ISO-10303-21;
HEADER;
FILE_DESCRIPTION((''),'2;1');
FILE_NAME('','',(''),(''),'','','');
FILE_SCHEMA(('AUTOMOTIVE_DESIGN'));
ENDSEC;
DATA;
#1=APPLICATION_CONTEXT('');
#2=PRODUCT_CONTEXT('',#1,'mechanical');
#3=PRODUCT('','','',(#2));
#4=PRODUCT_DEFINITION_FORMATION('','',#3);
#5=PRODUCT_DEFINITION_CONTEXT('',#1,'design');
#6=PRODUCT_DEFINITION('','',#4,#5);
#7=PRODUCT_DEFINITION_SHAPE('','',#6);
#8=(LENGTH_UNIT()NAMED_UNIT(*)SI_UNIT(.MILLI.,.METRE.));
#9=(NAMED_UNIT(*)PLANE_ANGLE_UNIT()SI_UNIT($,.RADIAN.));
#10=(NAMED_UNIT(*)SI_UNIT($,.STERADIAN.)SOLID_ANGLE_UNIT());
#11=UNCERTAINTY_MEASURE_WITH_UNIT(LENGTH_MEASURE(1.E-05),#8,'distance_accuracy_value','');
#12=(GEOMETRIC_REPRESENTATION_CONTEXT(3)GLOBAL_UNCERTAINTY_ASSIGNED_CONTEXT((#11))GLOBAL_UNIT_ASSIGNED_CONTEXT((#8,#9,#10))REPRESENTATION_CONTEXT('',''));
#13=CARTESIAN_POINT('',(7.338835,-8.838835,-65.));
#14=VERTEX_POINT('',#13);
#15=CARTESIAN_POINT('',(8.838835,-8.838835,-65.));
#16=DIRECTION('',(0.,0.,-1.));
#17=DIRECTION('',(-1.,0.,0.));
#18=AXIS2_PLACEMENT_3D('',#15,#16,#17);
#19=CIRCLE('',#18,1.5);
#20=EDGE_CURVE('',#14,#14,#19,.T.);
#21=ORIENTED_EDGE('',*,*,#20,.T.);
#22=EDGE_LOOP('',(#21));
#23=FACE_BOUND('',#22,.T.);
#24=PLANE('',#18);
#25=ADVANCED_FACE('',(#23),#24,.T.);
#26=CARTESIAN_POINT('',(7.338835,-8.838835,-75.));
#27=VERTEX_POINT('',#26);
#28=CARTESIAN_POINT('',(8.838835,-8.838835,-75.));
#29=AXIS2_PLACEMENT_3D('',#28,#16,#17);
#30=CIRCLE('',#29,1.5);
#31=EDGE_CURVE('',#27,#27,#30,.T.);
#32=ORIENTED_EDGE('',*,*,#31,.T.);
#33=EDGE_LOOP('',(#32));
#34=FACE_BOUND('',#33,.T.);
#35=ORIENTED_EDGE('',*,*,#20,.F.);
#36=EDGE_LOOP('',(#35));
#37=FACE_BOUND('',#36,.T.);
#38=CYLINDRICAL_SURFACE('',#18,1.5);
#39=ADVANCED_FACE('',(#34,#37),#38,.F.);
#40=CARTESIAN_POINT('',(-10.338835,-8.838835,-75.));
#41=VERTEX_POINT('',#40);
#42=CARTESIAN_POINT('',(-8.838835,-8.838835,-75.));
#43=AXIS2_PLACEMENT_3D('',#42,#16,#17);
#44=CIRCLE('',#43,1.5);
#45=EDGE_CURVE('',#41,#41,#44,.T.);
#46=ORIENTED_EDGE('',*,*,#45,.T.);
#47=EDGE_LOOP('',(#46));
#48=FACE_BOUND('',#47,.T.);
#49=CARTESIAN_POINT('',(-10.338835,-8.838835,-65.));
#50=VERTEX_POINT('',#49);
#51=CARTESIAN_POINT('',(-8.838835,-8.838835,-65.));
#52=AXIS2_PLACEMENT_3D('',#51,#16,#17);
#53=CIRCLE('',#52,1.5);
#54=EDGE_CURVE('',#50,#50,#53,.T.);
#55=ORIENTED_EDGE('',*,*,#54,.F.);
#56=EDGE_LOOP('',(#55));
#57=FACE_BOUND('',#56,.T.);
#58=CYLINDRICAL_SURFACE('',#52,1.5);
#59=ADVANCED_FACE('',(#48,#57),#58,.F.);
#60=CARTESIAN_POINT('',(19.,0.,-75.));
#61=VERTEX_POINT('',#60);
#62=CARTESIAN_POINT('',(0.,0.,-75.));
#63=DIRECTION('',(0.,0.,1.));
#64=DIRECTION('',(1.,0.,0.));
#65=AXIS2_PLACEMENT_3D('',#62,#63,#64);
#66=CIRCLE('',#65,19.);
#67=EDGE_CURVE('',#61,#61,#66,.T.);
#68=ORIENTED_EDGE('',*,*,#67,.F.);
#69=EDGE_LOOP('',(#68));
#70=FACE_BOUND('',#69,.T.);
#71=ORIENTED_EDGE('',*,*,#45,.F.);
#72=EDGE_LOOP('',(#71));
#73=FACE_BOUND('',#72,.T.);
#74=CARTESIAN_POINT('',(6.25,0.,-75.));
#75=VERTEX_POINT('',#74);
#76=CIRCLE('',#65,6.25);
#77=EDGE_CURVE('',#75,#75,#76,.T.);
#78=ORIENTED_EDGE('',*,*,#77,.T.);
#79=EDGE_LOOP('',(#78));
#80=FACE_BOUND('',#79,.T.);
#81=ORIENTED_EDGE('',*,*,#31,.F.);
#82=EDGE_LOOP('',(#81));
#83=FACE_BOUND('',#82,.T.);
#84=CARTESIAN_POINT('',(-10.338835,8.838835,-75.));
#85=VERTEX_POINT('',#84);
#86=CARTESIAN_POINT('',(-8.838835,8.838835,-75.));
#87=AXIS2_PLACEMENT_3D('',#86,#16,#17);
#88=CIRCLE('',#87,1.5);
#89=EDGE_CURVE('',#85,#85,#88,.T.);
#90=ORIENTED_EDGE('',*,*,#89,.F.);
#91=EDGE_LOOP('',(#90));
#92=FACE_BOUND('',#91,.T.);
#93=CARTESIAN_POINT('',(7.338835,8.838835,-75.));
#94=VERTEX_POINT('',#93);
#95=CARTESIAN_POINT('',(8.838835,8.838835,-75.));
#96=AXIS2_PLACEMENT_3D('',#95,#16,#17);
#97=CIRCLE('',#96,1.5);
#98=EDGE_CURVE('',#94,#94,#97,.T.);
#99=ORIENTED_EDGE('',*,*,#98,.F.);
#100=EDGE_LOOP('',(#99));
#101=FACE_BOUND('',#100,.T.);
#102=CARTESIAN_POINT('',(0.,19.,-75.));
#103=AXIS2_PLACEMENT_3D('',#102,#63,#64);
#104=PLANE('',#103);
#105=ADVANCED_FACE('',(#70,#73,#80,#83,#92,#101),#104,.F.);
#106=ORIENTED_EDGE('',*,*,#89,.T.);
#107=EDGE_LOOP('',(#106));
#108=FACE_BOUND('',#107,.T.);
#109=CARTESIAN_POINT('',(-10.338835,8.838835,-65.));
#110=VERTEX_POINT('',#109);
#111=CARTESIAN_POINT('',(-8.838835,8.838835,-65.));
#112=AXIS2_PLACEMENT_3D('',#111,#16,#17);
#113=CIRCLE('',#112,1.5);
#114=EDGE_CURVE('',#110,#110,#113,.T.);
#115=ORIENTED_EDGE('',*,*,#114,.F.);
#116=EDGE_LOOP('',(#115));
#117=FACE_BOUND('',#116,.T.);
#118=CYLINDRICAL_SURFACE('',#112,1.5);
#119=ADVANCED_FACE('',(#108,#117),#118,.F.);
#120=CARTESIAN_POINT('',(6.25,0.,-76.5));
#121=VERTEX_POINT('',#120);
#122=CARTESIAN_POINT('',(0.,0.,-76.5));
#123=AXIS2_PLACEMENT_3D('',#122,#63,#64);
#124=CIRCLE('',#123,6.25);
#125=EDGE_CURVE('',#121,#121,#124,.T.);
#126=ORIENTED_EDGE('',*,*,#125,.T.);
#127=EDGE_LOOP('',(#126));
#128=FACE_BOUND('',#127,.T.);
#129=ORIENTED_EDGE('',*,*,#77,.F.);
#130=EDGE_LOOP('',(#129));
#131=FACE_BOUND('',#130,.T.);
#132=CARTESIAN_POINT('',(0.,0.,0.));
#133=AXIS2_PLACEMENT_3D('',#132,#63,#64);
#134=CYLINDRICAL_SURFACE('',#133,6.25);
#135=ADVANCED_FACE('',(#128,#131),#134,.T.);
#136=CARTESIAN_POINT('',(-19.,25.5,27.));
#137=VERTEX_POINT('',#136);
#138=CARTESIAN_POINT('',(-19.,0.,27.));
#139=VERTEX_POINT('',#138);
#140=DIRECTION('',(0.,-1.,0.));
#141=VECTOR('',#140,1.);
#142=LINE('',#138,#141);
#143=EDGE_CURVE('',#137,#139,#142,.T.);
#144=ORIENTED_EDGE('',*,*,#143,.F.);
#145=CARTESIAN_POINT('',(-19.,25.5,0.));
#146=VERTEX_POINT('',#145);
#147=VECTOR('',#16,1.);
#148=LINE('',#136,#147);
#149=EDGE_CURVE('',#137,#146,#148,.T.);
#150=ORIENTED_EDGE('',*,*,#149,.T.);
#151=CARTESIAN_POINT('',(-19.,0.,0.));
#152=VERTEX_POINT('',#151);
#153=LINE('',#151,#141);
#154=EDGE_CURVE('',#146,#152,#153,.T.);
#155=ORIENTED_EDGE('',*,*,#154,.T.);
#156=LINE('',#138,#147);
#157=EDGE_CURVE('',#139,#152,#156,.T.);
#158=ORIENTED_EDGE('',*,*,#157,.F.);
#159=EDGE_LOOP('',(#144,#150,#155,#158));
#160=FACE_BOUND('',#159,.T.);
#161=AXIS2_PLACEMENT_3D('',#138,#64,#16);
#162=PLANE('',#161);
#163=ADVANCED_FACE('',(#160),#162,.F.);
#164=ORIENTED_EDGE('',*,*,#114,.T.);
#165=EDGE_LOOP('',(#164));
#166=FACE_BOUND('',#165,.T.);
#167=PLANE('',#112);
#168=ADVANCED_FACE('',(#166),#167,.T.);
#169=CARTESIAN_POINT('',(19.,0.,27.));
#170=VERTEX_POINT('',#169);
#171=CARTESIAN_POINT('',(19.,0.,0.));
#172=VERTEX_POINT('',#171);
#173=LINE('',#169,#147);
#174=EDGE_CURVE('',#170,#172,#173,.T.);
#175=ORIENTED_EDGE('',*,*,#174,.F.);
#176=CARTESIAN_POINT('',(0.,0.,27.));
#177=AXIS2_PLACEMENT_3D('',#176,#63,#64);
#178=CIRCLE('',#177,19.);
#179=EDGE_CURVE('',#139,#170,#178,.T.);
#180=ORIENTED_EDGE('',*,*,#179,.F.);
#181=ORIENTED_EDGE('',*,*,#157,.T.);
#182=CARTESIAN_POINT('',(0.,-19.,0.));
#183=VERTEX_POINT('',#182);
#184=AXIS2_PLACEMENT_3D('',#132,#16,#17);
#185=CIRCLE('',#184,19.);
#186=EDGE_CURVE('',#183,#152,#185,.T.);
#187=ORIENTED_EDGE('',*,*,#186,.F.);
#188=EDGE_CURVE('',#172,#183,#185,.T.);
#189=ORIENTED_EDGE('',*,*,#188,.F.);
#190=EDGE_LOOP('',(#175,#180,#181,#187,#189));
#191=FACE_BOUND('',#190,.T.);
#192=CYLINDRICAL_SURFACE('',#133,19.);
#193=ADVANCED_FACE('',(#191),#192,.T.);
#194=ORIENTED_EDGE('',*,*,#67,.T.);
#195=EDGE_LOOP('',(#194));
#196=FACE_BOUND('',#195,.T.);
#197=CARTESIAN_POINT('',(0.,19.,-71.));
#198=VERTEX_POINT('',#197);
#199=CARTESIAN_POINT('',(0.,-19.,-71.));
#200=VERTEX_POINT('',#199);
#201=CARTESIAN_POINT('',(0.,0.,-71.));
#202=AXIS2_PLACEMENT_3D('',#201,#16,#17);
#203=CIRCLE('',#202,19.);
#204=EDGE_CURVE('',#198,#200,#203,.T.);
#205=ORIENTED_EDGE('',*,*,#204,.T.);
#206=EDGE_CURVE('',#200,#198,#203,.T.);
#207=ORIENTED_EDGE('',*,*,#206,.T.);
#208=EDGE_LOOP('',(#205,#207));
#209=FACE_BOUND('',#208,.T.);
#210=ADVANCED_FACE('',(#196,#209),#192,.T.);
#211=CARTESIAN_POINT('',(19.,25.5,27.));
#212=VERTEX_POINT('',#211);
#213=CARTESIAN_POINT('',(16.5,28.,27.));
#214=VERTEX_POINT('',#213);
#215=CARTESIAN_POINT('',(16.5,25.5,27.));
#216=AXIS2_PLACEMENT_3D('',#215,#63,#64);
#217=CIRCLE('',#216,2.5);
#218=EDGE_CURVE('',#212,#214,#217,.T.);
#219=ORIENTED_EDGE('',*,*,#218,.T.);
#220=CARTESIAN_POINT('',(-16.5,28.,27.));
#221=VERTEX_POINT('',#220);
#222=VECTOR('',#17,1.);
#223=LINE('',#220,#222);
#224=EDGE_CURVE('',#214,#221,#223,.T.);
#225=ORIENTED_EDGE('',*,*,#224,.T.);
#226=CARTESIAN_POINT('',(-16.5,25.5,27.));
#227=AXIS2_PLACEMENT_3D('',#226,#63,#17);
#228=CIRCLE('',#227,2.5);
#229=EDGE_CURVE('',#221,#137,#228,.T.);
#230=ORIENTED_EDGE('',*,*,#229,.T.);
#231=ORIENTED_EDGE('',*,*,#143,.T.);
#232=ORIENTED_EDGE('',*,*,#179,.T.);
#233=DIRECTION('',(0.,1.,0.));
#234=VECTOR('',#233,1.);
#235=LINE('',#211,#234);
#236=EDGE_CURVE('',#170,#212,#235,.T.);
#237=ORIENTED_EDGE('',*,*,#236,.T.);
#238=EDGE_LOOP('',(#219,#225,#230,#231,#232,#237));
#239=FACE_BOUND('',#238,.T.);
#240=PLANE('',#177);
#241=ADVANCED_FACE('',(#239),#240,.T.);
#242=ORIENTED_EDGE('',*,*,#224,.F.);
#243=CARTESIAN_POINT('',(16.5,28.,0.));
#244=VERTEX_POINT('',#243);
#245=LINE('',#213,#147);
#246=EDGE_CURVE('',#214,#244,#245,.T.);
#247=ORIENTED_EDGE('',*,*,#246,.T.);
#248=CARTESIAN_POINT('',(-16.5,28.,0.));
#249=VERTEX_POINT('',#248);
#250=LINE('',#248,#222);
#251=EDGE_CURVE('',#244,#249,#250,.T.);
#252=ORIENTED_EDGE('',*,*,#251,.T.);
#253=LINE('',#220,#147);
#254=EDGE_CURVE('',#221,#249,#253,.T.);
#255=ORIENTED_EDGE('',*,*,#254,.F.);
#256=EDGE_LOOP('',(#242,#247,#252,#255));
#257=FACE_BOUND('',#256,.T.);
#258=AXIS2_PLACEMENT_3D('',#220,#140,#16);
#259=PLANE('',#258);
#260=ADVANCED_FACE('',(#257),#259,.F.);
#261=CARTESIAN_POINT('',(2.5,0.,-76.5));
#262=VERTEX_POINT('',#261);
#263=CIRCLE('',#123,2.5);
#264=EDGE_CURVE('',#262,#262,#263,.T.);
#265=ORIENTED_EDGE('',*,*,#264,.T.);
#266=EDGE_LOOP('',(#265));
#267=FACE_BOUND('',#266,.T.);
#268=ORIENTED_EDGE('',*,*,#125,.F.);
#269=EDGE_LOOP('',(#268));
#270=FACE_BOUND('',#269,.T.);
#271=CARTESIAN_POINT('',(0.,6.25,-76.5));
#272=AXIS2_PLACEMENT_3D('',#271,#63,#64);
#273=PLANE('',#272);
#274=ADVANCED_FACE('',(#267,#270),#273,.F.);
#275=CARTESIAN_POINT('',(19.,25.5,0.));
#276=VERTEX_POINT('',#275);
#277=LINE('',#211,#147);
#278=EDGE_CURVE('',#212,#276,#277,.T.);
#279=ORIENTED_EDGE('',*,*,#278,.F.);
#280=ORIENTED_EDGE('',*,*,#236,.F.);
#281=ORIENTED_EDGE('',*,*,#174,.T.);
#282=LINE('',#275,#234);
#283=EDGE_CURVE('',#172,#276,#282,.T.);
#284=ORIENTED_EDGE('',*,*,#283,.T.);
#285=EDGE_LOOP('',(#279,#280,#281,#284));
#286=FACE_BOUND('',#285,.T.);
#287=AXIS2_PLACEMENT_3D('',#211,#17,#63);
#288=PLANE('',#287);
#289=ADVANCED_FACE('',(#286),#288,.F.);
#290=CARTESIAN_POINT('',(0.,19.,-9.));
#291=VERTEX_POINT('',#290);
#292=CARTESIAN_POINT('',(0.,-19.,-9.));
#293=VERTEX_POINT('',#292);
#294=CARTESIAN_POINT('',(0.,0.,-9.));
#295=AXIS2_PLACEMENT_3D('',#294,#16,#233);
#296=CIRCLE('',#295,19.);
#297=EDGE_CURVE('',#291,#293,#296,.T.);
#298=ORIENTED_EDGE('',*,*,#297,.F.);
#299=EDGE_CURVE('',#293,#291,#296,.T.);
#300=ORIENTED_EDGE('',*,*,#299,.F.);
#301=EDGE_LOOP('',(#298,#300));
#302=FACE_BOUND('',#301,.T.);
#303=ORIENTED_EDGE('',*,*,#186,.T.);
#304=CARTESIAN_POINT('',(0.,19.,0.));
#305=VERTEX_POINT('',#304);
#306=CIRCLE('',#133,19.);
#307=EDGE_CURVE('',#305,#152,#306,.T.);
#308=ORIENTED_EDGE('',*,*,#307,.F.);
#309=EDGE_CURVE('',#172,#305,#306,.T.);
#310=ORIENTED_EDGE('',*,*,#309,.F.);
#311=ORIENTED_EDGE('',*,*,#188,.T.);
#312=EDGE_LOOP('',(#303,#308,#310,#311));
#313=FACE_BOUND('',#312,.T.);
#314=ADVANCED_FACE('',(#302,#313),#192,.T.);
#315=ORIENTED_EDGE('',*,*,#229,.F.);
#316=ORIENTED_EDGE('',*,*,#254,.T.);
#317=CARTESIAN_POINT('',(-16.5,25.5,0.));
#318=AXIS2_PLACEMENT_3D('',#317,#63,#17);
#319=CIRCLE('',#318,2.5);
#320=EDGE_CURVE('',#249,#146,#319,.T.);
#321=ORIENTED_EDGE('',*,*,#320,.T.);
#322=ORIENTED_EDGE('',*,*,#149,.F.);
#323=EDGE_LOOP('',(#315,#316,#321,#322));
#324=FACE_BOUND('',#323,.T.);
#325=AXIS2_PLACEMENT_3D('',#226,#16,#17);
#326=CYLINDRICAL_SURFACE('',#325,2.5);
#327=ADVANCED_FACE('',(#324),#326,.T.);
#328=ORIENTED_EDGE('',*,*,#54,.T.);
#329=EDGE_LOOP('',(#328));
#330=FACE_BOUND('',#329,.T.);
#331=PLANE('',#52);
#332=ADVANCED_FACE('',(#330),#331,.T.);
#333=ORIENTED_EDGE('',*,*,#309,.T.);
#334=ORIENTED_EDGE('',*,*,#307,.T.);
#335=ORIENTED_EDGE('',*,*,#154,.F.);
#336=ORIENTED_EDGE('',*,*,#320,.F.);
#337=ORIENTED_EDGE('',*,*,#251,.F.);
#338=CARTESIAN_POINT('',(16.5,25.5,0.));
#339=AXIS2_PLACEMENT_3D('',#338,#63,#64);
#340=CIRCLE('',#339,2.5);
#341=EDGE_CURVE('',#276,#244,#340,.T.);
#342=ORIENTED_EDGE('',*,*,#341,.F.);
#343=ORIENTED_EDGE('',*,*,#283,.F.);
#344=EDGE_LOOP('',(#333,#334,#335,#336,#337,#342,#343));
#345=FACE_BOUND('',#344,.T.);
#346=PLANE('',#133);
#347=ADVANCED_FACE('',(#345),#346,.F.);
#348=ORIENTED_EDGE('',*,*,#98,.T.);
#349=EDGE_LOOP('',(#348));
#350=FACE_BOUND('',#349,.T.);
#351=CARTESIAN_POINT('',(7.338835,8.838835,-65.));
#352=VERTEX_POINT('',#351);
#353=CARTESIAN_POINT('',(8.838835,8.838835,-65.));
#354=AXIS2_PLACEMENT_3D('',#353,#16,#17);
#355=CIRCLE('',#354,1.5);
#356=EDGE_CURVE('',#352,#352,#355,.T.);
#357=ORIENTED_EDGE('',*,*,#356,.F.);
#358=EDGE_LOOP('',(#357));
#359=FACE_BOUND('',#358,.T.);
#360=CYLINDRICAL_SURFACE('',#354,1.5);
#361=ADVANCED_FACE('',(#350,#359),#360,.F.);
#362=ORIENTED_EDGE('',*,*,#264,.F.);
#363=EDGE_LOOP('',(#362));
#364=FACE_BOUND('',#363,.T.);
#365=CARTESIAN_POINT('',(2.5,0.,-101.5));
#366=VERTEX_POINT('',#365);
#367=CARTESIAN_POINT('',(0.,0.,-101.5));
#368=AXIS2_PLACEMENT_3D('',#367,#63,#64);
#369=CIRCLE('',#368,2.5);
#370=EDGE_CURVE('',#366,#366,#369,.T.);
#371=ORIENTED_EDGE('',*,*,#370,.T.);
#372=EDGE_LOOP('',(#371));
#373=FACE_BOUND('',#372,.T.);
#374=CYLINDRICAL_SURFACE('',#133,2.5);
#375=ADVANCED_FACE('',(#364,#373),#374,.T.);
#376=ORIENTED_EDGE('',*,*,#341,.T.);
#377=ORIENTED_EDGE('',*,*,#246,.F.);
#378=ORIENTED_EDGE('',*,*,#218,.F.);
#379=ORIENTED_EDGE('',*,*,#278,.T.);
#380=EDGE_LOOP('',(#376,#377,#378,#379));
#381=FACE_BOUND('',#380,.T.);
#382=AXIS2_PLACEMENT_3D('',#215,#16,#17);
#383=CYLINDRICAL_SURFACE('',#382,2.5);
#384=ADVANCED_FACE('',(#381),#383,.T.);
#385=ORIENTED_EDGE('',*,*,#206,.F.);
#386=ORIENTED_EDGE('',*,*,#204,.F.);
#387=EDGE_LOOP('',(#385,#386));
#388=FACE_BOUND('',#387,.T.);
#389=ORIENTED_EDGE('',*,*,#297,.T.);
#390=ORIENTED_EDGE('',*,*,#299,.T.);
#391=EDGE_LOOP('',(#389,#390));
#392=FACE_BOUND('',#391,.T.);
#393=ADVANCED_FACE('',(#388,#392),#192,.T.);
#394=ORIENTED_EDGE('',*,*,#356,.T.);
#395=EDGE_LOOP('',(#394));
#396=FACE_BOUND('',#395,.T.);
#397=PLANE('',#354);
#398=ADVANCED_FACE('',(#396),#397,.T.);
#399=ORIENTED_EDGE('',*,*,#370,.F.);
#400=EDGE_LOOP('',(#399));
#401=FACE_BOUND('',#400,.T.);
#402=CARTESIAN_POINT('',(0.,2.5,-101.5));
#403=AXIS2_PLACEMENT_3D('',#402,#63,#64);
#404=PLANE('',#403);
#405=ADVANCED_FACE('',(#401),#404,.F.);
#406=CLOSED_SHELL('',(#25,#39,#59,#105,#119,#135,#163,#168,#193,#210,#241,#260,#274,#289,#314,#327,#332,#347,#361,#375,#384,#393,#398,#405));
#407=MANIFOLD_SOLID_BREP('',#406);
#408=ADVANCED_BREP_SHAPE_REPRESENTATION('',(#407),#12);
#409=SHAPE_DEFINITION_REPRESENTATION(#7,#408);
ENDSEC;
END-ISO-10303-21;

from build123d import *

# Parameters (mm, degrees)
BOSS_EXTRUDE1_DEPTH = 27
SKETCH4_R           = 1.5
CUT_EXTRUDE1_DEPTH  = 10


with BuildPart() as part:
    # Sketch1 → Revolve1 (revolve)
    with BuildSketch(Plane(origin=(0, 0, 0), x_dir=(0, 0, -1), z_dir=(1, 0, 0)), mode=Mode.PRIVATE) as revolve1_sk:
        Polygon((0, 0), (0, 19), (75, 19), (75, 6.25), (76.5, 6.25), (76.5, 2.5), (101.5, 2.5), (101.5, 0), align=None)
    revolve(revolve1_sk.sketch.rotate(Axis((0, 0, 0), (0, 0, -1)), 90), axis=Axis((0, 0, 0), (0, 0, -1)))

    # Sketch2 → Boss-Extrude1 (add)
    with BuildSketch(Plane.XY):
        with BuildLine():
            Line((-19, 0), (-19, 25.5))
            ThreePointArc((-19, 25.5), (-18.267766953, 27.267766953), (-16.5, 28))
            Line((-16.5, 28), (16.5, 28))
            ThreePointArc((16.5, 28), (18.267766953, 27.267766953), (19, 25.5))
            Line((19, 25.5), (19, 0))
            ThreePointArc((19, 0), (0, -19), (-19, 0))
        make_face()
    extrude(amount=BOSS_EXTRUDE1_DEPTH)

    # Sketch4 → Cut-Extrude1 (cut)
    with BuildSketch(Plane(origin=(0, 0, -75), x_dir=(-1, 0, 0), z_dir=(0, 0, -1))):
        with Locations((-8.838834765, 8.838834765)):
            Circle(SKETCH4_R)
        with Locations((8.838834765, 8.838834765)):
            Circle(SKETCH4_R)
        with Locations((8.838834765, -8.838834765)):
            Circle(SKETCH4_R)
        with Locations((-8.838834765, -8.838834765)):
            Circle(SKETCH4_R)
    extrude(amount=-CUT_EXTRUDE1_DEPTH, mode=Mode.SUBTRACT)


solid = part.part
